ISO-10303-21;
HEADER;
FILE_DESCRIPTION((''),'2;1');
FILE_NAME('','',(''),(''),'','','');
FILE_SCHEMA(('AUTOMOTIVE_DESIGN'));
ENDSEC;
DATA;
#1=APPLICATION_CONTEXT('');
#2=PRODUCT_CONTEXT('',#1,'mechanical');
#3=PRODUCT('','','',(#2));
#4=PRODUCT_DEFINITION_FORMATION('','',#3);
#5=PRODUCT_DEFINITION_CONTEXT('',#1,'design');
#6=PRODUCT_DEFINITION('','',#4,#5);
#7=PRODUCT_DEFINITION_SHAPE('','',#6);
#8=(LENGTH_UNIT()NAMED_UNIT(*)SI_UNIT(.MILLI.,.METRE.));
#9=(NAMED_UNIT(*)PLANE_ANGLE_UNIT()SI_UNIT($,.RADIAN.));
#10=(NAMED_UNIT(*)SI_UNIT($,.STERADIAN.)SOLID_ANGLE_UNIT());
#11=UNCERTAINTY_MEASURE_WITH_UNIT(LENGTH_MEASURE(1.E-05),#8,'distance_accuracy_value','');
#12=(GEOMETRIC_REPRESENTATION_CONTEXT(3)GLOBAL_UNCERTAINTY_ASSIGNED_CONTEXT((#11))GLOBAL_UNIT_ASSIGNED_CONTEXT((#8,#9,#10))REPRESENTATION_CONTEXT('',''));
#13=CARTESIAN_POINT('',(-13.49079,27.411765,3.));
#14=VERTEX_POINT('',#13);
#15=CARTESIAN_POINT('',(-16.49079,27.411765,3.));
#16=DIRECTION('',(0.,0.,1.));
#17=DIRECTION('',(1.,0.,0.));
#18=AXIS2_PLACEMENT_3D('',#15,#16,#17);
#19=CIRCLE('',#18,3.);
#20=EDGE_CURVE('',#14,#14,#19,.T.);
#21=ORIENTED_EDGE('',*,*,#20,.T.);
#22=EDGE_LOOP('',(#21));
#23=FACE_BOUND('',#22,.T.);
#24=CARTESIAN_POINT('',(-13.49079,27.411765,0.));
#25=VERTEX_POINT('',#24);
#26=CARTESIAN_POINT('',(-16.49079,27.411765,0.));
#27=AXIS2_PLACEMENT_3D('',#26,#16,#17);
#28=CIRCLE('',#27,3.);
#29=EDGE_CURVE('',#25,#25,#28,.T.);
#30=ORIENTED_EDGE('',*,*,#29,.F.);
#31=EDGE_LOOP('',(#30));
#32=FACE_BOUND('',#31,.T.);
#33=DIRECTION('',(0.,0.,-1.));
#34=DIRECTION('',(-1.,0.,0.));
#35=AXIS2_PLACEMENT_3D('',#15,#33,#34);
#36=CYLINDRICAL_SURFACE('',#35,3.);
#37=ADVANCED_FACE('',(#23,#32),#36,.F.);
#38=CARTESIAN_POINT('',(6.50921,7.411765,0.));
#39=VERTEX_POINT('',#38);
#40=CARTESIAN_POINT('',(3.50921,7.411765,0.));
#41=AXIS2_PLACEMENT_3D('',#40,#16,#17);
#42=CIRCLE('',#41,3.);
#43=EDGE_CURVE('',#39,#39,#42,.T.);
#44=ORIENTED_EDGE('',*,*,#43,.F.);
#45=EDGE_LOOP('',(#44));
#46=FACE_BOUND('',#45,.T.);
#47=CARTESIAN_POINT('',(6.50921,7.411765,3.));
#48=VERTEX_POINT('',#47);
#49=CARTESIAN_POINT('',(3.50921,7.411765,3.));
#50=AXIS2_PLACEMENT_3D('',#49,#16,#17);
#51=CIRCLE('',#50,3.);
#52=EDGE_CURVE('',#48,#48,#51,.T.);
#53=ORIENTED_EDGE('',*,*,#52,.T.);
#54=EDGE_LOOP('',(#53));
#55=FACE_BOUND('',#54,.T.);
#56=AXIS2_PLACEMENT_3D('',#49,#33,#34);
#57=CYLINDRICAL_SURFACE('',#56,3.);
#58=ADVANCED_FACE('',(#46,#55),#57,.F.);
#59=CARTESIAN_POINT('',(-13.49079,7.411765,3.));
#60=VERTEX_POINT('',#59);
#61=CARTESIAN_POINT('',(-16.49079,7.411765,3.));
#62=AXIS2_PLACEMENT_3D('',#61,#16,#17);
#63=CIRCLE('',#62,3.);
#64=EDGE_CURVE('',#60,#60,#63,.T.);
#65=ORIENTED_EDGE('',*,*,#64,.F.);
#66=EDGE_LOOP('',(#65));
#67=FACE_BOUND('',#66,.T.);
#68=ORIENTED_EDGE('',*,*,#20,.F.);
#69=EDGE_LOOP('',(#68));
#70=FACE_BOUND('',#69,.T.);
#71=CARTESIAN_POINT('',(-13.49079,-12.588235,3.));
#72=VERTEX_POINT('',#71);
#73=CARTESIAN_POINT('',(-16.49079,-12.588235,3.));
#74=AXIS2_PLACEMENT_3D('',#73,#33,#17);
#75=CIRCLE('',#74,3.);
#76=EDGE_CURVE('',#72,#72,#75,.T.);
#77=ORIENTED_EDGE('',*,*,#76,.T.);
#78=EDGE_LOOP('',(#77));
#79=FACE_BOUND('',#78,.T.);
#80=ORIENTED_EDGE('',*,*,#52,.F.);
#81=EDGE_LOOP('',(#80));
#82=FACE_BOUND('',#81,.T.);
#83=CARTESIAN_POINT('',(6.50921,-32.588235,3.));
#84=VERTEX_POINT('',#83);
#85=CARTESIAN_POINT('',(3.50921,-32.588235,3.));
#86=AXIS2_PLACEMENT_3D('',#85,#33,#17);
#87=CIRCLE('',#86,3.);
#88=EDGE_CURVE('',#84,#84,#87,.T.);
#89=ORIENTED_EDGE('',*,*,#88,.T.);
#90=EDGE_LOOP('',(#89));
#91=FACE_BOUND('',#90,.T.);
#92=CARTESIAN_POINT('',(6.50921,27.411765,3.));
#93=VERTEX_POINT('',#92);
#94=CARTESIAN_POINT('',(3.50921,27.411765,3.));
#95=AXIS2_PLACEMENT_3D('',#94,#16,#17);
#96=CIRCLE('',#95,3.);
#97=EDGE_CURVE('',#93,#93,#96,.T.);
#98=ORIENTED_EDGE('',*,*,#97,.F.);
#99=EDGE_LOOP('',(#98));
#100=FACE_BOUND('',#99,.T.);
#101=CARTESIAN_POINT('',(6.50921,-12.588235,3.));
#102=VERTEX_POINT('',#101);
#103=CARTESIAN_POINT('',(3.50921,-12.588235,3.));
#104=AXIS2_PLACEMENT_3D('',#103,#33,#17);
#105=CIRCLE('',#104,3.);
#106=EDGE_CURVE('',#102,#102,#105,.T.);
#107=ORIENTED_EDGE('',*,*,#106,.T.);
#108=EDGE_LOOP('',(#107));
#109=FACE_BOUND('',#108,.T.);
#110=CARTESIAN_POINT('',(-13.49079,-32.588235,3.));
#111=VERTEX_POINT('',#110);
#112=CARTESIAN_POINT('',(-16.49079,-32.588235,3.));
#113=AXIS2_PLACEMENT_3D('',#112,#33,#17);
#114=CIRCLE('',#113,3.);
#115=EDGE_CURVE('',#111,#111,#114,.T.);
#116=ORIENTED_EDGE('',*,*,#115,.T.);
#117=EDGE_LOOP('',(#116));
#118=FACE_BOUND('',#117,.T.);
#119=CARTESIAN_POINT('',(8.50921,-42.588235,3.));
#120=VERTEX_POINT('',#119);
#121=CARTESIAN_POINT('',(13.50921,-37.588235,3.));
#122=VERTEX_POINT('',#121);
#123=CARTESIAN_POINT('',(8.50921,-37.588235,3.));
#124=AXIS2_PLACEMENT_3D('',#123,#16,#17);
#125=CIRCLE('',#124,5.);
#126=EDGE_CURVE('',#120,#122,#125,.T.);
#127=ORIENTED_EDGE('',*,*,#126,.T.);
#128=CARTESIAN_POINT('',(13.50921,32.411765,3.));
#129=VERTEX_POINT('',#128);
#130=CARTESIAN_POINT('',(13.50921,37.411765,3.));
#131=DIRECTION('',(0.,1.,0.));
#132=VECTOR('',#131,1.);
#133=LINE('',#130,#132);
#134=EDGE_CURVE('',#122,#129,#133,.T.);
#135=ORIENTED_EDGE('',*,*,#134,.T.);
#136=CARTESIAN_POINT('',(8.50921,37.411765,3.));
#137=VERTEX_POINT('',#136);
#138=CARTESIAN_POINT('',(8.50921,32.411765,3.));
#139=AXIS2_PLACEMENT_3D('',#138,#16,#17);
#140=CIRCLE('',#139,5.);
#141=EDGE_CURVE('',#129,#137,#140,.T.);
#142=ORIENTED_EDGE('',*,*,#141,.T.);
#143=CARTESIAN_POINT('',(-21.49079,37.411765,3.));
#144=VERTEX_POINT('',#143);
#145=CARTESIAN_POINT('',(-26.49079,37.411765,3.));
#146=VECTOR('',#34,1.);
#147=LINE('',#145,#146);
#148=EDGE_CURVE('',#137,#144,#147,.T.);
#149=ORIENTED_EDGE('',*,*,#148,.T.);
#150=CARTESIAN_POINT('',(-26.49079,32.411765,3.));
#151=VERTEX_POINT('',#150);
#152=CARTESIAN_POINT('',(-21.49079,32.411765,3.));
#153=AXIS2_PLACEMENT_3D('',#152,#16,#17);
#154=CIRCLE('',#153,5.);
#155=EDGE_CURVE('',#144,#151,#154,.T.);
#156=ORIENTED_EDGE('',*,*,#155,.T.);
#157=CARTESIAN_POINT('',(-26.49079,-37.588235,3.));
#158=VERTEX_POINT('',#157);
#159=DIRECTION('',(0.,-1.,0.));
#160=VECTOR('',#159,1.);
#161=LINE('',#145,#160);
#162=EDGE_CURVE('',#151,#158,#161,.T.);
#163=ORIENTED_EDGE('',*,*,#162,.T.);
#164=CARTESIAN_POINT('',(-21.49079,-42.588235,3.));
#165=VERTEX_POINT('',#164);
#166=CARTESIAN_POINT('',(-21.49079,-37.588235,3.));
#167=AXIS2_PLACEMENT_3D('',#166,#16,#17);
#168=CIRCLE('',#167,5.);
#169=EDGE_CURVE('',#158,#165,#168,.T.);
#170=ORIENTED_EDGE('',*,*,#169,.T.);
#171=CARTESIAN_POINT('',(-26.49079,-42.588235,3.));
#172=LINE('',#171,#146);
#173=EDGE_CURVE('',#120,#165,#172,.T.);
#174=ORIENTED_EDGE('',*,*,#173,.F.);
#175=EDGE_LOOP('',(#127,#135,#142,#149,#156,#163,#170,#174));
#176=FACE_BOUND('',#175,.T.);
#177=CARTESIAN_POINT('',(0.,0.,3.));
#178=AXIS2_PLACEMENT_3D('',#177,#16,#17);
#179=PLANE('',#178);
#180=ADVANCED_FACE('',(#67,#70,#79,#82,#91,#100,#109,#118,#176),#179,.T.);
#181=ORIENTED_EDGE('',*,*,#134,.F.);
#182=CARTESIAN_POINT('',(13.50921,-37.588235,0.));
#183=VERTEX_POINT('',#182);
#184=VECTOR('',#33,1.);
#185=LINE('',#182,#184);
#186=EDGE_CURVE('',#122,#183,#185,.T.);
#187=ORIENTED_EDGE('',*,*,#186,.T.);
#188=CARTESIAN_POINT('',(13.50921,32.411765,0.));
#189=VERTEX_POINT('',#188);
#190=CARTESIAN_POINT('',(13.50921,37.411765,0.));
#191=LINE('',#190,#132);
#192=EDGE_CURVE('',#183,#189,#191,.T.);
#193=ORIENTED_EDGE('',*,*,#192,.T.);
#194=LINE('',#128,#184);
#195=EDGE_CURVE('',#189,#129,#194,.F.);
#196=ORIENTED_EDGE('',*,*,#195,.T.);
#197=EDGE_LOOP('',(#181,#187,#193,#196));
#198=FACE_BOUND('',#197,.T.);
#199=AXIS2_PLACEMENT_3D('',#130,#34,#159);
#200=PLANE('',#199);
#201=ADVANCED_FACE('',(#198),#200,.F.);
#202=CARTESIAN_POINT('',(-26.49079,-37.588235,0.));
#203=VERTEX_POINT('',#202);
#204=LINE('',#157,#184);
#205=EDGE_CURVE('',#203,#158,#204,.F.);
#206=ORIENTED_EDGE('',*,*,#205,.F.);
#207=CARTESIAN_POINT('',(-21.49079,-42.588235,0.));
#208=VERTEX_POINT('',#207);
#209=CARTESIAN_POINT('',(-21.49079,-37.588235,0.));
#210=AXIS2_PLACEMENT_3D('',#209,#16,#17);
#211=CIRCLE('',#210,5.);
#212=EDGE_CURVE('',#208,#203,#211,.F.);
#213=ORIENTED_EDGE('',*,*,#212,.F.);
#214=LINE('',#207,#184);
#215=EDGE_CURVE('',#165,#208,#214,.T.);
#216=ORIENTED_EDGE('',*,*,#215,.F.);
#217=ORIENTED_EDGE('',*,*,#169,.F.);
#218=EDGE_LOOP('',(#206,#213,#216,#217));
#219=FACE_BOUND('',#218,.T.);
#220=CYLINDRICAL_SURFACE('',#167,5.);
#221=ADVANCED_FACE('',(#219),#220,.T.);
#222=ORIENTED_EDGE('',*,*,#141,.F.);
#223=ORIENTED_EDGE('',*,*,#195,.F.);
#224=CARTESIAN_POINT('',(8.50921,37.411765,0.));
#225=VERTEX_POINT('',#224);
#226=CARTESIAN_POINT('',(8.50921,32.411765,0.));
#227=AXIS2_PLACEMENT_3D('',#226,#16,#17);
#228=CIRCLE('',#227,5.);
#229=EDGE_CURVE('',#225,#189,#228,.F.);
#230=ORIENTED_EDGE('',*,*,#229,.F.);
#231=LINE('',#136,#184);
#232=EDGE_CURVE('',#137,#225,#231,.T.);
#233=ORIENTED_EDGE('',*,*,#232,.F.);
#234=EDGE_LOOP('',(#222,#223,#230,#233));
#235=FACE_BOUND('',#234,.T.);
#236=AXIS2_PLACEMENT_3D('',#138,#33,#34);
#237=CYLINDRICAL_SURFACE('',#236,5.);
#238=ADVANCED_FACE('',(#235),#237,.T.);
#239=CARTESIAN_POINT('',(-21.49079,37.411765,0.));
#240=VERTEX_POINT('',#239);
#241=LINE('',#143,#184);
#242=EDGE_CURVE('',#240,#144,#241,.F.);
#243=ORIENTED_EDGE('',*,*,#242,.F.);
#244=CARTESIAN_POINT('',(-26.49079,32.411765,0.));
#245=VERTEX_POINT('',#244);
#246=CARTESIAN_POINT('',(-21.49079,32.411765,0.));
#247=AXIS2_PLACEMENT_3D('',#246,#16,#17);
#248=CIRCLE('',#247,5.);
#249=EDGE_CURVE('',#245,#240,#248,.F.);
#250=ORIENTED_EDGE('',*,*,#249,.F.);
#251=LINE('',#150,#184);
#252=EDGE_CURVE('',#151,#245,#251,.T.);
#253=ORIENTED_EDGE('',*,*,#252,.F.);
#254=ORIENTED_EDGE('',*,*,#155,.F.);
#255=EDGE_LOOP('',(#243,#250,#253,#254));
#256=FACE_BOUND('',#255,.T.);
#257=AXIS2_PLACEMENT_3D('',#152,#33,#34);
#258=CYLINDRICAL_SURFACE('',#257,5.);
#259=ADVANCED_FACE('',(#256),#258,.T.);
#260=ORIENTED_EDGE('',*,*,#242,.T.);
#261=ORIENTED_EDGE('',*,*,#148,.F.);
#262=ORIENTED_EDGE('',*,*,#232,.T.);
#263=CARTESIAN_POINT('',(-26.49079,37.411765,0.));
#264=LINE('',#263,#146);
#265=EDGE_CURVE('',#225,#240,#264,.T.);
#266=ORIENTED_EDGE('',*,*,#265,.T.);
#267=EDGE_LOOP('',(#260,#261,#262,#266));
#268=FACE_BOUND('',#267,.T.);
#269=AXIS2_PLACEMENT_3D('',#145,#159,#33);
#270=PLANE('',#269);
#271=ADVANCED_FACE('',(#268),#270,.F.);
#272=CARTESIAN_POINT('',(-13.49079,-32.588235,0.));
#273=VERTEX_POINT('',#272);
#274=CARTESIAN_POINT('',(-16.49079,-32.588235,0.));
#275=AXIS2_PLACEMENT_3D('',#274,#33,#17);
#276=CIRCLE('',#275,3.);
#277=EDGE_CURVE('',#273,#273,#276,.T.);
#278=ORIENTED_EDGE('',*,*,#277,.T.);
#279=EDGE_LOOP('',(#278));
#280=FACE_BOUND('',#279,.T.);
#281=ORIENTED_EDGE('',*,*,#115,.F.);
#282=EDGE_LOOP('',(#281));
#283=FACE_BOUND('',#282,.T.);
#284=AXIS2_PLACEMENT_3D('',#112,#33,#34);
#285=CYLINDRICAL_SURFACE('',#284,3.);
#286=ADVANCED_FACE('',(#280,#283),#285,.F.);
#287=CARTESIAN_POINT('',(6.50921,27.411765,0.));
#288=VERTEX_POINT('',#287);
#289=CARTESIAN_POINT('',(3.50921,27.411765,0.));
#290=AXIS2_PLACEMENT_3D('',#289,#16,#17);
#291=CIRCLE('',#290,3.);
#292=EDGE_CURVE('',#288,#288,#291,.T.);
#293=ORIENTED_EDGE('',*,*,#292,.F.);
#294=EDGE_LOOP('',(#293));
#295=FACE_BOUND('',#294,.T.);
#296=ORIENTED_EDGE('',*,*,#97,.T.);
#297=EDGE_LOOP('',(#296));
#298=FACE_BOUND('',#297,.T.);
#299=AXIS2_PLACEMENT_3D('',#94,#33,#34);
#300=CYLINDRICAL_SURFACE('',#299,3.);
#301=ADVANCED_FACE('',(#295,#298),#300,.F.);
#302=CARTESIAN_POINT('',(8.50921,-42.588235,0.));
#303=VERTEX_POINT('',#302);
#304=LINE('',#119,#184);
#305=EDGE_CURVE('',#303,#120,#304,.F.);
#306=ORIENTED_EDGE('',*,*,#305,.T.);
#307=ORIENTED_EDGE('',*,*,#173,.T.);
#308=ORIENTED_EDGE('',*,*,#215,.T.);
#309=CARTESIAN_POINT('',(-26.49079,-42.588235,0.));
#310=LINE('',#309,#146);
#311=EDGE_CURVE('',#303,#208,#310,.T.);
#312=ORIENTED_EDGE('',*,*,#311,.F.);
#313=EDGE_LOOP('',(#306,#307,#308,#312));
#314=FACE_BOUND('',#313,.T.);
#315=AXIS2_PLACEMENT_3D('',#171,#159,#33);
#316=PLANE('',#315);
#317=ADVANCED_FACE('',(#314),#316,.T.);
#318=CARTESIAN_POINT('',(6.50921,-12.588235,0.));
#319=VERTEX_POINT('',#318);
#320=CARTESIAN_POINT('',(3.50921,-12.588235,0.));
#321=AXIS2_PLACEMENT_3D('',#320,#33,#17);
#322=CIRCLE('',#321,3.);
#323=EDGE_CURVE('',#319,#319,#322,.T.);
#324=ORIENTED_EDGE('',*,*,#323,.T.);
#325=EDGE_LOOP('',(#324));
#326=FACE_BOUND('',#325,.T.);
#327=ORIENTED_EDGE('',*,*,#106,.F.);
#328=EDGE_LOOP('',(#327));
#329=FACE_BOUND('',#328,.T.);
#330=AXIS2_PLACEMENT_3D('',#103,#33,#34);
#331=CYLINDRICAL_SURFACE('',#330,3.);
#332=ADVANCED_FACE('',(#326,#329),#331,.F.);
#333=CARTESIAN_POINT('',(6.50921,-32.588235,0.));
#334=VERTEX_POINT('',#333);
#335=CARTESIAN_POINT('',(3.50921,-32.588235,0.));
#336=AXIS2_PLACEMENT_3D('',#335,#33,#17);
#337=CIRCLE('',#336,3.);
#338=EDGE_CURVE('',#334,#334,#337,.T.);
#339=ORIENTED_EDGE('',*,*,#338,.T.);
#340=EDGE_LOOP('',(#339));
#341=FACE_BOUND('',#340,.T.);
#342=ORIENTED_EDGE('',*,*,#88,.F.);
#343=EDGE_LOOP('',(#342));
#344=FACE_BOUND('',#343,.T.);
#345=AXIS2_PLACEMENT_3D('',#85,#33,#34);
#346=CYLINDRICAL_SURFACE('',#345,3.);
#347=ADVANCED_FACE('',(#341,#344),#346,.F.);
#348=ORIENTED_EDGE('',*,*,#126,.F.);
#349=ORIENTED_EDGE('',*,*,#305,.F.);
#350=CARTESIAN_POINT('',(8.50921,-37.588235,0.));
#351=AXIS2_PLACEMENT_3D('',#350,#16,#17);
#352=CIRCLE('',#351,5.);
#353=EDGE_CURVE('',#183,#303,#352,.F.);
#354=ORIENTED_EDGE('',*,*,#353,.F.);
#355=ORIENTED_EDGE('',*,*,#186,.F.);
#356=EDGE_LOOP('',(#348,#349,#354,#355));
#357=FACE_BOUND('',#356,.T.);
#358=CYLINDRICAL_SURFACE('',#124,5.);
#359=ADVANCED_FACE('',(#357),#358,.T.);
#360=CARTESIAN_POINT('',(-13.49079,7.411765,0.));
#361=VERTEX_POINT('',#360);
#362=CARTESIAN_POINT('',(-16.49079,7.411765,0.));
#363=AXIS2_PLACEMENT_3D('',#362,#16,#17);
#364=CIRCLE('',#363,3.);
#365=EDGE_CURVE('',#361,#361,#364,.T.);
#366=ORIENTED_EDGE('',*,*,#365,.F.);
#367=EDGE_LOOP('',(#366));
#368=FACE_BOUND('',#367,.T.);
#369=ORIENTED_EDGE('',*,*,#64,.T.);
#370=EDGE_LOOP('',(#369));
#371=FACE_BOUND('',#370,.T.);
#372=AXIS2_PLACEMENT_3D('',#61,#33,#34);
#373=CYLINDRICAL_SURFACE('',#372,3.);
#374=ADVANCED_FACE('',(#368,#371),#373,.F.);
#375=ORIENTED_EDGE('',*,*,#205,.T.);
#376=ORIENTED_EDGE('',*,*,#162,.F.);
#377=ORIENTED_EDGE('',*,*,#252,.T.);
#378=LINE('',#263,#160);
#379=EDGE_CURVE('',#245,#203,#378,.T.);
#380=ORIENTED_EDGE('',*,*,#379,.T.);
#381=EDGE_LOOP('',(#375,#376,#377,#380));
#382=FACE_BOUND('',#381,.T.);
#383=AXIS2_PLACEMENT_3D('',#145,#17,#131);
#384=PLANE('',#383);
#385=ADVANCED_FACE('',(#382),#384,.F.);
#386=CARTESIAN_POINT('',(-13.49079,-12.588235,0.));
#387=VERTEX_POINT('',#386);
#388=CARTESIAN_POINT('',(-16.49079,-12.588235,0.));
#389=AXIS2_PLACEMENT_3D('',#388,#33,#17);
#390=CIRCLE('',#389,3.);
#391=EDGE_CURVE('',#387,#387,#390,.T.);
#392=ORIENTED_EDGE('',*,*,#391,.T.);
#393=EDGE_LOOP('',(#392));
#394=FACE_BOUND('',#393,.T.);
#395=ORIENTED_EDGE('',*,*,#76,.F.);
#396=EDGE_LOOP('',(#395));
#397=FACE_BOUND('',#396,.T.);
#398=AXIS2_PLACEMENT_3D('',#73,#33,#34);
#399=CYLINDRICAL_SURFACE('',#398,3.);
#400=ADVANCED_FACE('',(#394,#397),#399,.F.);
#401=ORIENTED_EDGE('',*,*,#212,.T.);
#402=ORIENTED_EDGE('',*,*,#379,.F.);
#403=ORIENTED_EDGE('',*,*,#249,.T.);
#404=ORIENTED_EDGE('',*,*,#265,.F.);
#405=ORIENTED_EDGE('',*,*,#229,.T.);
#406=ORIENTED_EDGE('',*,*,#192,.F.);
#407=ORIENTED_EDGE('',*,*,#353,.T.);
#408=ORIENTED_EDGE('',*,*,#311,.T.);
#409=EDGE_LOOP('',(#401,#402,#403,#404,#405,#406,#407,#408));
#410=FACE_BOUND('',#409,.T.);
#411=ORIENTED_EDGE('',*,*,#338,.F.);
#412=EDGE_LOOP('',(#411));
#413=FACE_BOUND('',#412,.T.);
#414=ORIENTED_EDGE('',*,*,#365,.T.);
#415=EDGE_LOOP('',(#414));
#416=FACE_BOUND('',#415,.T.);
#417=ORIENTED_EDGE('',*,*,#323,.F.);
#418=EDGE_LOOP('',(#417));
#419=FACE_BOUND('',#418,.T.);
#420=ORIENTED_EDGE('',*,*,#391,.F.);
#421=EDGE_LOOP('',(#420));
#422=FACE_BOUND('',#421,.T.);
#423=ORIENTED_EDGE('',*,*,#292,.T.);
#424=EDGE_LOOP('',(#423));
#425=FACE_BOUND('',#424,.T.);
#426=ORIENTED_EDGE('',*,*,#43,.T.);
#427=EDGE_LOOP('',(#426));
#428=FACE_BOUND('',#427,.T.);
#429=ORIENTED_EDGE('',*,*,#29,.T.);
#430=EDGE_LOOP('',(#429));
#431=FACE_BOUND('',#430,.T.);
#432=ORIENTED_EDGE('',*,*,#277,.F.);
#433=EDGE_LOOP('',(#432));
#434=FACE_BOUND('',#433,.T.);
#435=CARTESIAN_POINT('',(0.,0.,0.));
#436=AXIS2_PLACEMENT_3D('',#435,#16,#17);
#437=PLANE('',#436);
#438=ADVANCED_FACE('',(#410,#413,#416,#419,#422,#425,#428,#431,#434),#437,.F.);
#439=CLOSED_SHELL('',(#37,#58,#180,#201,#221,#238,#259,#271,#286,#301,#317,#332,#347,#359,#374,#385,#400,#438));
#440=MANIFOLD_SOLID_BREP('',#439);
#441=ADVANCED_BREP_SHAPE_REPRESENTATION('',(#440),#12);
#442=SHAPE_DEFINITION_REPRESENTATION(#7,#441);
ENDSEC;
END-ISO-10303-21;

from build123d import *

# Parameters (mm, degrees)
SZKIC1_W                    = 40
SZKIC1_H                    = 40
SZKIC1_R                    = 3
DODANIE_WYCI_GNI_CIE1_DEPTH = 3
ZAOKR_GLENIE1_R             = 5


with BuildPart() as part:
    # Szkic1 → Dodanie-wyciągnięcie1 (new body)
    with BuildSketch(Plane.XY):
        with Locations((-6.490790255, 17.411764706)):
            Rectangle(SZKIC1_W, SZKIC1_H)
        with Locations((-16.490790255, 27.411764706)):
            Circle(SZKIC1_R, mode=Mode.SUBTRACT)
        with Locations((3.509209745, 27.411764706)):
            Circle(SZKIC1_R, mode=Mode.SUBTRACT)
        with Locations((-16.490790255, 7.411764706)):
            Circle(SZKIC1_R, mode=Mode.SUBTRACT)
        with Locations((3.509209745, 7.411764706)):
            Circle(SZKIC1_R, mode=Mode.SUBTRACT)
    dodanie_wyci_gni_cie1 = extrude(amount=DODANIE_WYCI_GNI_CIE1_DEPTH)

    # Lustro2: Dodanie-wyciągnięcie1 across plane
    add(dodanie_wyci_gni_cie1.mirror(Plane(origin=(-26.490790255, -2.588235294, 3), x_dir=(0, 0, 1), z_dir=(0, 1, 0))))

    # Zaokrąglenie1
    zaokr_glenie1_edges = [part.edges().sort_by_distance(p)[0] for p in [
        (-26.490790255, -42.588235294, 1.5),
        (13.509209745, -42.588235294, 1.5),
        (-26.490790255, 37.411764706, 1.5),
        (13.509209745, 37.411764706, 1.5),
    ]]
    fillet(zaokr_glenie1_edges, radius=ZAOKR_GLENIE1_R)


solid = part.part
